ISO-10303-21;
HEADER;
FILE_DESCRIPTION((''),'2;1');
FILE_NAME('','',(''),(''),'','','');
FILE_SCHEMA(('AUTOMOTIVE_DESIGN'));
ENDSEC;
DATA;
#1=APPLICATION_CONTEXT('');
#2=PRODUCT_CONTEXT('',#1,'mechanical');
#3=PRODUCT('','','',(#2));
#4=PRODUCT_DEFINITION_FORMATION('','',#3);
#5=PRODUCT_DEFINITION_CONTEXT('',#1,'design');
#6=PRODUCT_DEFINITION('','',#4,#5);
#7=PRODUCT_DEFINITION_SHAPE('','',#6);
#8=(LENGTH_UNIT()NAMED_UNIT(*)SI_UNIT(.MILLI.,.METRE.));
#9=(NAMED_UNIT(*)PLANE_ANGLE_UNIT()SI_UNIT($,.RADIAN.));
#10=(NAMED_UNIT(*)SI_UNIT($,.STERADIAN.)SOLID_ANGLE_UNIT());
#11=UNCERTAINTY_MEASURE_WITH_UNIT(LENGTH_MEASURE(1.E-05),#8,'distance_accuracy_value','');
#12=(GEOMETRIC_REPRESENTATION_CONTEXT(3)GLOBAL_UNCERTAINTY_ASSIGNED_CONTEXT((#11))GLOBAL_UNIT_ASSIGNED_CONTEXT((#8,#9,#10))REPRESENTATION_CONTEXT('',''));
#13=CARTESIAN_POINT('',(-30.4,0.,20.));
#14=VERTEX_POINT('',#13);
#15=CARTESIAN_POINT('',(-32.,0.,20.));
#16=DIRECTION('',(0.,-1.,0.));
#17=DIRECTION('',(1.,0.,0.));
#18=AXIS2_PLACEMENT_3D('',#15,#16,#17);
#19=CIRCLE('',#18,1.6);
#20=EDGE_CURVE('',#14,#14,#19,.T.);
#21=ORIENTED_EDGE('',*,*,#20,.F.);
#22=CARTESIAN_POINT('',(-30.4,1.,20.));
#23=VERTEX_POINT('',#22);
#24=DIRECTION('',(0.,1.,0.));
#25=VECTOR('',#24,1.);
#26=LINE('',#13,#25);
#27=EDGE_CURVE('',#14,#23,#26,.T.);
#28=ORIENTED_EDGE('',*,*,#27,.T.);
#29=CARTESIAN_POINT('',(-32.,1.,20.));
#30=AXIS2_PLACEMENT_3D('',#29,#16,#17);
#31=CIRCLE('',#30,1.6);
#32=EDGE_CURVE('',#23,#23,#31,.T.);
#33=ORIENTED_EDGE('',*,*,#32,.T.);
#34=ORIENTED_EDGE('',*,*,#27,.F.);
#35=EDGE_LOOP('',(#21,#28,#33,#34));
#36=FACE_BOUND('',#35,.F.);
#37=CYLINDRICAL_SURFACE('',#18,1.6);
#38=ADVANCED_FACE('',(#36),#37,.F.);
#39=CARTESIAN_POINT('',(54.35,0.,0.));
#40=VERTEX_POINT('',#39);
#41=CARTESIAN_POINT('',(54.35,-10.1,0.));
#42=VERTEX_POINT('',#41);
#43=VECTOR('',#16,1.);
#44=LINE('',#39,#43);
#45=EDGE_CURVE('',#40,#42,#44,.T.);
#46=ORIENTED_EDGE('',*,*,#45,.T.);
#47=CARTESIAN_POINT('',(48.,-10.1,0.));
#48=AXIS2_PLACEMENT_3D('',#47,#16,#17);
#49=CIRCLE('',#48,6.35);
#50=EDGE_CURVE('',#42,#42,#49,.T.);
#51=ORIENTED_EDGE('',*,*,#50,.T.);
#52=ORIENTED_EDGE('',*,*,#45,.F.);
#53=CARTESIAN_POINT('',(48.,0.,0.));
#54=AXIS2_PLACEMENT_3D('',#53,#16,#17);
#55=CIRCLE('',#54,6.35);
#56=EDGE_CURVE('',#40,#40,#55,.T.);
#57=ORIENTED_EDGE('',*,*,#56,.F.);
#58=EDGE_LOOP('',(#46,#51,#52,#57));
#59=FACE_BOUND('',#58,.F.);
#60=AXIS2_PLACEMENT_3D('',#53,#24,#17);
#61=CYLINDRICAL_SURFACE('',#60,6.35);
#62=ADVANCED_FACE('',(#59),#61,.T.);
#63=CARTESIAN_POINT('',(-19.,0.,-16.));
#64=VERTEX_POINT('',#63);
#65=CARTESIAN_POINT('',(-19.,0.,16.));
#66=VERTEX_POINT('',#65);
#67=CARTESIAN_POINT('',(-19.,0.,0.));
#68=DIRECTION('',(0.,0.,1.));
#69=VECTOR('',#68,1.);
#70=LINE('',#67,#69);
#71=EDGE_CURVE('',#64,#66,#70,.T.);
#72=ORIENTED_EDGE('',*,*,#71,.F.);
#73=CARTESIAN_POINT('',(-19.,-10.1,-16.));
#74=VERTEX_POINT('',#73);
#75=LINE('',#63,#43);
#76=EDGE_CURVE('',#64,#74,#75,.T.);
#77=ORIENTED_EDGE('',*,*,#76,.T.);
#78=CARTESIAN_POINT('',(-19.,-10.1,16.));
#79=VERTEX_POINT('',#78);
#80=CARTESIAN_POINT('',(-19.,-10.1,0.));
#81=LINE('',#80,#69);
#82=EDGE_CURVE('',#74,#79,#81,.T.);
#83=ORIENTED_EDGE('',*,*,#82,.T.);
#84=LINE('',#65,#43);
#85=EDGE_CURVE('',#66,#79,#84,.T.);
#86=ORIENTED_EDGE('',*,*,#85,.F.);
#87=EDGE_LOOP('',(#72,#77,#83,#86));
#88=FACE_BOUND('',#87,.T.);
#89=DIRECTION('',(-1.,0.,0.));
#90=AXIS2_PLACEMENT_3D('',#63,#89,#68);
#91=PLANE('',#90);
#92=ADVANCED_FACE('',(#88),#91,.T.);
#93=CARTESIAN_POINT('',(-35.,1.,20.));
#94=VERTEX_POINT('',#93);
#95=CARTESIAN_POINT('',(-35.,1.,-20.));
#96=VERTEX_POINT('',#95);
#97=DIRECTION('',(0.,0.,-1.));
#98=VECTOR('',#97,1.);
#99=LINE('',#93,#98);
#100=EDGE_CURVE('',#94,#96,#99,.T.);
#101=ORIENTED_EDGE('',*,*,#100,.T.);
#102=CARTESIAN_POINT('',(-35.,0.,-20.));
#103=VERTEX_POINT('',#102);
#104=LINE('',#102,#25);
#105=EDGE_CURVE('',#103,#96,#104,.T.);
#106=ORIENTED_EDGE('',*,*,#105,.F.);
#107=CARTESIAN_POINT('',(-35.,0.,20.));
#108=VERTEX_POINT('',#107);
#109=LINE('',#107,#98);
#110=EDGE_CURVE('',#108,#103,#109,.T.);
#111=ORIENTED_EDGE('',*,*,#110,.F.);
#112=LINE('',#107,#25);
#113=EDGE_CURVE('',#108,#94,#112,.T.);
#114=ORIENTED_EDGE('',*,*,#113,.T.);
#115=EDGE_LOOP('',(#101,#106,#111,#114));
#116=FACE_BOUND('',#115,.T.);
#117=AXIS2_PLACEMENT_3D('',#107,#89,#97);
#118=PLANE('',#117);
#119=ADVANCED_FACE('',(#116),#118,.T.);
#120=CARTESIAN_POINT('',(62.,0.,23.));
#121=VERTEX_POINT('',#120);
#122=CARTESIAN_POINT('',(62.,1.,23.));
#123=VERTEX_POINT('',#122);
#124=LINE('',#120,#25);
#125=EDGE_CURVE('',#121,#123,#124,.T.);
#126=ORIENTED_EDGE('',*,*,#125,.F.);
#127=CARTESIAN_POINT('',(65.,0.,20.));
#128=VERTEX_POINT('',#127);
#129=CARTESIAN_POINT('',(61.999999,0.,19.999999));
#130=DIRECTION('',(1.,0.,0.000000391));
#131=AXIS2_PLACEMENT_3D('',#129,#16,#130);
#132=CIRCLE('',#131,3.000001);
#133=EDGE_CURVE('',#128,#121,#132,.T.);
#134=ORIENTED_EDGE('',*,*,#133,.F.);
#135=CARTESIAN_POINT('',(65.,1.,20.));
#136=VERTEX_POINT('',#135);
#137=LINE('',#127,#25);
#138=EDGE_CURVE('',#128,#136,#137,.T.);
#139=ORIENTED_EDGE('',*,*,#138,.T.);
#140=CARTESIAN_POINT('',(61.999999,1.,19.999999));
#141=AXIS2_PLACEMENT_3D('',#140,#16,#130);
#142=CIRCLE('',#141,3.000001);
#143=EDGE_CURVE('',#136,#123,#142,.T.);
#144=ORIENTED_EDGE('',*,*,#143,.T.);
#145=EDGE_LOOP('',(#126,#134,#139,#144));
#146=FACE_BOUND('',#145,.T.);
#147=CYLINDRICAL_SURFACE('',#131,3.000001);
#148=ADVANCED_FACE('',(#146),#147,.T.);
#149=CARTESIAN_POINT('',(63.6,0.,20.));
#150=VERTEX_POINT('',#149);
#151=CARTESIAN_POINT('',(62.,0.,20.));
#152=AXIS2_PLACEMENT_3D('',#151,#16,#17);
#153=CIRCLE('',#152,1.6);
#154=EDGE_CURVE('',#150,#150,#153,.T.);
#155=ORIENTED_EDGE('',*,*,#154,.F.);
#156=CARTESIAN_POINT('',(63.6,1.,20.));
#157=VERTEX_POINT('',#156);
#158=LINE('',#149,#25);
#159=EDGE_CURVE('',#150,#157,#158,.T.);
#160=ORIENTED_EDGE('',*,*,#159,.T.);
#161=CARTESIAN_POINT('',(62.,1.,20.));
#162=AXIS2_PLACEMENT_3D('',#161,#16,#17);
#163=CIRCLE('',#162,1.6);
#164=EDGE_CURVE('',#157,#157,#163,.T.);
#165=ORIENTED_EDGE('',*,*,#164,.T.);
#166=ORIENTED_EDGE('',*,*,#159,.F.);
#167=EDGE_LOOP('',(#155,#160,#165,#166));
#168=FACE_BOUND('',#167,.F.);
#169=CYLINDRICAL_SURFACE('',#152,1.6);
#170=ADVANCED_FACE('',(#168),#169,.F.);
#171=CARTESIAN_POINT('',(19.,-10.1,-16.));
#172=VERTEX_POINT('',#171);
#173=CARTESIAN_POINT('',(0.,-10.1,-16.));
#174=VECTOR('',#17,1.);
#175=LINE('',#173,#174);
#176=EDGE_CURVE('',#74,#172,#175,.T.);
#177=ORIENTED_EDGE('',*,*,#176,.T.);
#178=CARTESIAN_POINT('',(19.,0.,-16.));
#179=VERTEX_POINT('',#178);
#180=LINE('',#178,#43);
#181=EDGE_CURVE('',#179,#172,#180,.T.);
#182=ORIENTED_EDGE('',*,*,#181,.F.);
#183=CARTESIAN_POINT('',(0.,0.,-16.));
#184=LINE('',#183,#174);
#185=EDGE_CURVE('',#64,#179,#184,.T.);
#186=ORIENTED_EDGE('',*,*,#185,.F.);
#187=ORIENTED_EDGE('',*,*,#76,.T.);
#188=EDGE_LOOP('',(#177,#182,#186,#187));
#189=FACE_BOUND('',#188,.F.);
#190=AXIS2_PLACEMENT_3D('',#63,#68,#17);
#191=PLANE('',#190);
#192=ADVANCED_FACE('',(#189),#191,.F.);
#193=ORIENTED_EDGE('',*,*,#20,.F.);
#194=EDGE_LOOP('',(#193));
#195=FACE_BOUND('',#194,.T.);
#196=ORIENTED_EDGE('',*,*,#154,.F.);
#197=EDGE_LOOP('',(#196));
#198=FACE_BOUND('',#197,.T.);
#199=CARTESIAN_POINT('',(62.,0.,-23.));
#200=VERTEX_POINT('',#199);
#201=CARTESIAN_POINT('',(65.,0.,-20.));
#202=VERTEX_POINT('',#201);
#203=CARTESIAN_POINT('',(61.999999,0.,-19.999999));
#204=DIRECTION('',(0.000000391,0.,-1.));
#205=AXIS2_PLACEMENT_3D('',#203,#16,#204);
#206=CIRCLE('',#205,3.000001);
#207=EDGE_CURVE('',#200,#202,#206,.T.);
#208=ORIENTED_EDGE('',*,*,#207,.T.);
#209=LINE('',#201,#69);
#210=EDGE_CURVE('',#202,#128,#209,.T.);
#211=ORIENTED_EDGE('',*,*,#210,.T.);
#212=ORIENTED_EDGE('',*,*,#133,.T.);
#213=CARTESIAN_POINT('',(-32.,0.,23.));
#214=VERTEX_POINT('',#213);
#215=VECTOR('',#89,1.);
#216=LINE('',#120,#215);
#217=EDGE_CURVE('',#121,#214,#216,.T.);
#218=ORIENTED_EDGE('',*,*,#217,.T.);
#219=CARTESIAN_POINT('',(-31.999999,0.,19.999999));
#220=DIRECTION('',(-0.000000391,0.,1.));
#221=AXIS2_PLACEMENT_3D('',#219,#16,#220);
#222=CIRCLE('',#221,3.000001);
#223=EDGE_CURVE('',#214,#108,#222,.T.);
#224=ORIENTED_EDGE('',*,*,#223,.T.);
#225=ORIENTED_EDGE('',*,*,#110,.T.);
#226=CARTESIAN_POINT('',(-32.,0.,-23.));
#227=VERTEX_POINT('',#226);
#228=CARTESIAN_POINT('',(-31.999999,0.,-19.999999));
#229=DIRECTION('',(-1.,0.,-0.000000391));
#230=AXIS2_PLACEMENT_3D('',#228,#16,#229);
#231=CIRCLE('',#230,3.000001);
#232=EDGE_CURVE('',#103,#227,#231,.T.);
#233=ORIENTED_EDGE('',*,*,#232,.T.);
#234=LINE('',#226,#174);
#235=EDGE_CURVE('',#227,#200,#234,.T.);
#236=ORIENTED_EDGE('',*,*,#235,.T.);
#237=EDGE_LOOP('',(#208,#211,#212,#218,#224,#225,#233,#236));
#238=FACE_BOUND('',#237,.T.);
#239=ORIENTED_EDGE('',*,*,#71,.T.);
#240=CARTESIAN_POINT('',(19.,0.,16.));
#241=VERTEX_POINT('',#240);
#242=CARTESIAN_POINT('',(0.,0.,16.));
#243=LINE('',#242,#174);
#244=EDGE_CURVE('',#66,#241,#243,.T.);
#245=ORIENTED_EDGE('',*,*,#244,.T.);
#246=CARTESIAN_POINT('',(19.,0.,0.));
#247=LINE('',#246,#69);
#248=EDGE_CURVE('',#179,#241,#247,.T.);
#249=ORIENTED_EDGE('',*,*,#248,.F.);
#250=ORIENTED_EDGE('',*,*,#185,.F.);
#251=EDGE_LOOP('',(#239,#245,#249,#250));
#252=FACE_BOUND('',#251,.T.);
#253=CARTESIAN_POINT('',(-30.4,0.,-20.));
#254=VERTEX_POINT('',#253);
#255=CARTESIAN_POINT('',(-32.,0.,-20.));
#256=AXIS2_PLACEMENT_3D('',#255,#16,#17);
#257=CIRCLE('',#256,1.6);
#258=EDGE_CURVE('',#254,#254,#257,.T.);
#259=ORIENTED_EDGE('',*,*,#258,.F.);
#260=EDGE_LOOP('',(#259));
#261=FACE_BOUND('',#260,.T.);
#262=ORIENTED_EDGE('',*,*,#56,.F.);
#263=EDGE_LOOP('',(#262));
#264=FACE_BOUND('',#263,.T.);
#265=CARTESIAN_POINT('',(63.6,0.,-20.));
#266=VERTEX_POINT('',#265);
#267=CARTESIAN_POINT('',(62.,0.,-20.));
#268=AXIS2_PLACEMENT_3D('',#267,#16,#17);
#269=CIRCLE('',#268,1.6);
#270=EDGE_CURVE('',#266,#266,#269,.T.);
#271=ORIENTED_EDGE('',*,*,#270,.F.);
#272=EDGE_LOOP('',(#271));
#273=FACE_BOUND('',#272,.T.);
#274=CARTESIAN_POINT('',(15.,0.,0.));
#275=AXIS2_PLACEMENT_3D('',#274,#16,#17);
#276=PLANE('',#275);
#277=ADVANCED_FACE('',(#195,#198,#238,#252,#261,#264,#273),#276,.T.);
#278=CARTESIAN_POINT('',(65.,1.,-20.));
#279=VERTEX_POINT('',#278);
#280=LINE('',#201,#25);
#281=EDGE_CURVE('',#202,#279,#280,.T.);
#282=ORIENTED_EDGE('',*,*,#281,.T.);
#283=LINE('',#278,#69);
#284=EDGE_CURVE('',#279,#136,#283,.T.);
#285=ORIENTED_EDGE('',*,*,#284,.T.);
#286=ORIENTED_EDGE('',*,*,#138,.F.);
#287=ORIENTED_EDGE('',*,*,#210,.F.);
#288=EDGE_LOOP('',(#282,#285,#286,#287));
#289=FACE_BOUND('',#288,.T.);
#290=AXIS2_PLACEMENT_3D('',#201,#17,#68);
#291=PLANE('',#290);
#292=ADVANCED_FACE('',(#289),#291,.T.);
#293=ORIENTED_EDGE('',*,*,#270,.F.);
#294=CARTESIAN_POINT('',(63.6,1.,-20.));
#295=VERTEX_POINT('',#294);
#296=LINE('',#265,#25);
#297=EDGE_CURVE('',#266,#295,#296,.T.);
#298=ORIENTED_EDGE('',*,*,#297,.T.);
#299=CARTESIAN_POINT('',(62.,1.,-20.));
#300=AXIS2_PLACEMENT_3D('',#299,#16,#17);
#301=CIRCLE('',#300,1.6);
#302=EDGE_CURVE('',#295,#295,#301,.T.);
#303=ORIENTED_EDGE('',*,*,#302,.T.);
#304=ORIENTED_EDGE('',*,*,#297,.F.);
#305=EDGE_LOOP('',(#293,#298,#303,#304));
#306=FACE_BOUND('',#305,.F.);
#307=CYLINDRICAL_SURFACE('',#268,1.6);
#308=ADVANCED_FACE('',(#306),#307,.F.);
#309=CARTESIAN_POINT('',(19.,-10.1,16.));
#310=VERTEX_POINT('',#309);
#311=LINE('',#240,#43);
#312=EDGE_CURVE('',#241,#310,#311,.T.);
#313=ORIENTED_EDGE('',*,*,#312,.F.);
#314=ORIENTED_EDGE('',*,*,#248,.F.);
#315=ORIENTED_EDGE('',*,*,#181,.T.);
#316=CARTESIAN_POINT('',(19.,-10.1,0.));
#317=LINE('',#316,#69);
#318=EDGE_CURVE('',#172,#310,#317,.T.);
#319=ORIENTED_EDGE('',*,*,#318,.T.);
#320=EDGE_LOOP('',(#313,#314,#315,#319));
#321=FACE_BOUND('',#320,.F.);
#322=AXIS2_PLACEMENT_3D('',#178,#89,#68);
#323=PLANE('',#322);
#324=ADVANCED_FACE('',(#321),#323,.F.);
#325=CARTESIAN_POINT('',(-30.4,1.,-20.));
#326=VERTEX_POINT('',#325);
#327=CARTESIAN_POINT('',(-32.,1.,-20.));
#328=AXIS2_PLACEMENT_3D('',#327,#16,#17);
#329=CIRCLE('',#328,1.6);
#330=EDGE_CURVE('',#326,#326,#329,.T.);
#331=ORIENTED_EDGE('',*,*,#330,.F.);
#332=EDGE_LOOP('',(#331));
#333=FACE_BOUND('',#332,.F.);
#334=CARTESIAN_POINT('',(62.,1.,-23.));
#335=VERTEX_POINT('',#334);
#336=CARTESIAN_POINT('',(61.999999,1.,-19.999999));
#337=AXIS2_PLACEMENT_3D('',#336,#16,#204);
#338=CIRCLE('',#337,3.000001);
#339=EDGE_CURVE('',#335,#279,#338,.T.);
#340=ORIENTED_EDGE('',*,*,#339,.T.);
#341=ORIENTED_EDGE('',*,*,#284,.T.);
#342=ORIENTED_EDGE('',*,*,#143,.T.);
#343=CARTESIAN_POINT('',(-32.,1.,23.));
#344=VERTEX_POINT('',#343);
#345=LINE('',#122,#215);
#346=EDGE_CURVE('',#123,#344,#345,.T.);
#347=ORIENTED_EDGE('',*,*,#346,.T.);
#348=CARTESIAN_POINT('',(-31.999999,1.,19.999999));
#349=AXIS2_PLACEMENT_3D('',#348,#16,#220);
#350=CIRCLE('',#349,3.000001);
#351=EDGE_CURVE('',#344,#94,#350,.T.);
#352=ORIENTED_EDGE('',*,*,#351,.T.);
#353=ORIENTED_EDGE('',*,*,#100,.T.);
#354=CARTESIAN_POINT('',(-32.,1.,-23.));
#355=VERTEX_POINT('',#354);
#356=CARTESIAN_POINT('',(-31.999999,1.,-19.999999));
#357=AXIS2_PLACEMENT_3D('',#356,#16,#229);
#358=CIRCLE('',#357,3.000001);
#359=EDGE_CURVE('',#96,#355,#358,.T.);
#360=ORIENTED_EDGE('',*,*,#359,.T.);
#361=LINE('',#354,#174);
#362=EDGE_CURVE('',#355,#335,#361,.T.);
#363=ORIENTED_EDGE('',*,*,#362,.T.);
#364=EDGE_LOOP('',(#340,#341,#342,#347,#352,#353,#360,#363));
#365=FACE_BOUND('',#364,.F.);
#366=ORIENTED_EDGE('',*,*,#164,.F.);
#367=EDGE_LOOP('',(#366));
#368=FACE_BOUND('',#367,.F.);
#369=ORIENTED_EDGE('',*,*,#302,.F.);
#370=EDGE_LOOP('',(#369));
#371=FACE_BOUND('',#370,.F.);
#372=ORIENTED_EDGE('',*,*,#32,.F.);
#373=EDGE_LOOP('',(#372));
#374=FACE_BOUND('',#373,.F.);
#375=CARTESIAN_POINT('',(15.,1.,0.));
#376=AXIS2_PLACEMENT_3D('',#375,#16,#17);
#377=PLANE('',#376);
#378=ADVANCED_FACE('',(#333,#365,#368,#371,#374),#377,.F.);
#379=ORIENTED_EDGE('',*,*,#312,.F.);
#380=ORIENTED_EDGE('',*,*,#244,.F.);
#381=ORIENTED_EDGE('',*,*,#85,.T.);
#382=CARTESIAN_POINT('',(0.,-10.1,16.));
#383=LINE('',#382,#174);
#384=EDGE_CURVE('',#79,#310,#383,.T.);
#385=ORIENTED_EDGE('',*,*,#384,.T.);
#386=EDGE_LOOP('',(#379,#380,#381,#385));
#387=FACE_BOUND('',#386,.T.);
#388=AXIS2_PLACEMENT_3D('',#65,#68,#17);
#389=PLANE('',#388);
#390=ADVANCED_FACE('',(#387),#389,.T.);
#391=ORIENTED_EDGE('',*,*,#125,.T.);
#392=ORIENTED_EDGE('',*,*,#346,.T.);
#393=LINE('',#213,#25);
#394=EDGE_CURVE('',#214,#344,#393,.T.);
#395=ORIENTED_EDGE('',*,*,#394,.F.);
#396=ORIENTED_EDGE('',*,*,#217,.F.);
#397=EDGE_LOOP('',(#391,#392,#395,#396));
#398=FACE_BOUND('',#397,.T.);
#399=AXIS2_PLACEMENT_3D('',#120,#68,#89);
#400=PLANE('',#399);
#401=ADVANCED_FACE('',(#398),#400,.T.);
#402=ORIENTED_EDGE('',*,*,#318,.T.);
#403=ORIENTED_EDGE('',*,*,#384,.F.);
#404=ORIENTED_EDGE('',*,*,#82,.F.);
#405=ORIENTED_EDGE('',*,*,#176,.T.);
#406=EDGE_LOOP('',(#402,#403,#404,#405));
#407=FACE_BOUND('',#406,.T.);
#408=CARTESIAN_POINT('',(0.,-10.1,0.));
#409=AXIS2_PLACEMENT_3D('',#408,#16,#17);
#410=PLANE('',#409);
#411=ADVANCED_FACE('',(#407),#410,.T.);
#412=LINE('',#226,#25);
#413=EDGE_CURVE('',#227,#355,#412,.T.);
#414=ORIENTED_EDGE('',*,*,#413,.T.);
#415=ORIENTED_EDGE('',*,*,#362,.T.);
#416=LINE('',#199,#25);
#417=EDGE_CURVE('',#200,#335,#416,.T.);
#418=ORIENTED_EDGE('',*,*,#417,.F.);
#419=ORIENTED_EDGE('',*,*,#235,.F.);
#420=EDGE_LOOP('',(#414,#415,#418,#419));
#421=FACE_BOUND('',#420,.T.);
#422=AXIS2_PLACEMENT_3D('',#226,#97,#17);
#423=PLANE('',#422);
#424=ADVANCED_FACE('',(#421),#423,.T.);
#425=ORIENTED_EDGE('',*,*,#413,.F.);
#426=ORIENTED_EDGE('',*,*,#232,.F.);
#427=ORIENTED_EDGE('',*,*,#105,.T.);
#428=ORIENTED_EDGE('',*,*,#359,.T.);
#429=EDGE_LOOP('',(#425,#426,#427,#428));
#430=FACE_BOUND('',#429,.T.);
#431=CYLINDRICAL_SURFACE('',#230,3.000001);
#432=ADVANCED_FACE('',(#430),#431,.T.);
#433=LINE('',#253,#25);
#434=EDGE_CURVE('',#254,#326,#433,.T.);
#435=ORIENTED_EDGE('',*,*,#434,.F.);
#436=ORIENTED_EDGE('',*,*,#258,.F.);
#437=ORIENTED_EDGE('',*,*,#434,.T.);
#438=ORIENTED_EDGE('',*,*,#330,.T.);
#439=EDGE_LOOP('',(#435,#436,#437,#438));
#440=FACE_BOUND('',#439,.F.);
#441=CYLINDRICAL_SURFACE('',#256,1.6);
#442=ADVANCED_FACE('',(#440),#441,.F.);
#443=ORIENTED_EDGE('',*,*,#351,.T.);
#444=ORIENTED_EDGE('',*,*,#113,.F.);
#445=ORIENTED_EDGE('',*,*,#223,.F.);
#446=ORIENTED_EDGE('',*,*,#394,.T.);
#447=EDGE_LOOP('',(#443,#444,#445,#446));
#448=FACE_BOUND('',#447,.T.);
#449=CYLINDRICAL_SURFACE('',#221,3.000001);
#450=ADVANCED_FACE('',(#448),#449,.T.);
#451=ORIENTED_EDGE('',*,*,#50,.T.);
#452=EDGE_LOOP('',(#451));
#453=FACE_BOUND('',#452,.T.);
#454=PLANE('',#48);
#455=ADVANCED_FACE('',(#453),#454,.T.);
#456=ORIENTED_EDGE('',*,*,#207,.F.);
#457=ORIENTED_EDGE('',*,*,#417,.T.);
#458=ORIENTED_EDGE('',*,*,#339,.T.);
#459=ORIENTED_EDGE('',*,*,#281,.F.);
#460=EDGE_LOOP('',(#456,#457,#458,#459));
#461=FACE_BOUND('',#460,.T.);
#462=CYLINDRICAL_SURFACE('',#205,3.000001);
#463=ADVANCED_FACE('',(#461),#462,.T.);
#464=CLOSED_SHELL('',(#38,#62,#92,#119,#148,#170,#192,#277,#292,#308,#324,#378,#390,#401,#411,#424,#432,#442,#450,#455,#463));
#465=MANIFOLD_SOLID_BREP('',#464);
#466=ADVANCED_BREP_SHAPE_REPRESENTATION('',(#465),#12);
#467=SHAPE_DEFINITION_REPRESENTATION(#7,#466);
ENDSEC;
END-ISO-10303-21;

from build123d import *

# Parameters (mm, degrees)
F0_W     = 38
F0_H     = 32
F1_DEPTH = 10.1
F0_R     = 1.6
F0_R_2   = 6.35
F2_DEPTH = 1
F3_DEPTH = 10.1


with BuildPart() as f1:
    # F0 (on Front) → F1 (new body)
    with BuildSketch(Plane.XZ):
        Rectangle(F0_W, F0_H)
    extrude(amount=F1_DEPTH)

    # F0 (on Front) → F2 (join)
    with BuildSketch(Plane.XZ):
        with BuildLine():
            ThreePointArc((-35, -20), (-34.12132, -22.12132), (-32, -23))
            Line((-32, -23), (62, -23))
            ThreePointArc((62, -23), (64.12132, -22.12132), (65, -20))
            Line((65, -20), (65, 20))
            ThreePointArc((65, 20), (64.12132, 22.12132), (62, 23))
            Line((62, 23), (-32, 23))
            ThreePointArc((-32, 23), (-34.12132, 22.12132), (-35, 20))
            Line((-35, 20), (-35, -20))
        make_face()
        with Locations((-32, -20)):
            Circle(F0_R, mode=Mode.SUBTRACT)
        with Locations((62, -20)):
            Circle(F0_R, mode=Mode.SUBTRACT)
        Rectangle(F0_W, F0_H, mode=Mode.SUBTRACT)
        with Locations((-32, 20)):
            Circle(F0_R, mode=Mode.SUBTRACT)
        with Locations((48, 0)):
            Circle(F0_R_2, mode=Mode.SUBTRACT)
        with Locations((62, 20)):
            Circle(F0_R, mode=Mode.SUBTRACT)
        Rectangle(F0_W, F0_H)
        with Locations((48, 0)):
            Circle(F0_R_2)
    extrude(amount=-F2_DEPTH)

    # F0 (on Front) → F3 (join, through all)
    with BuildSketch(Plane.XZ):
        with Locations((48, 0)):
            Circle(F0_R_2)
    extrude(amount=F3_DEPTH)


solid = f1.part
